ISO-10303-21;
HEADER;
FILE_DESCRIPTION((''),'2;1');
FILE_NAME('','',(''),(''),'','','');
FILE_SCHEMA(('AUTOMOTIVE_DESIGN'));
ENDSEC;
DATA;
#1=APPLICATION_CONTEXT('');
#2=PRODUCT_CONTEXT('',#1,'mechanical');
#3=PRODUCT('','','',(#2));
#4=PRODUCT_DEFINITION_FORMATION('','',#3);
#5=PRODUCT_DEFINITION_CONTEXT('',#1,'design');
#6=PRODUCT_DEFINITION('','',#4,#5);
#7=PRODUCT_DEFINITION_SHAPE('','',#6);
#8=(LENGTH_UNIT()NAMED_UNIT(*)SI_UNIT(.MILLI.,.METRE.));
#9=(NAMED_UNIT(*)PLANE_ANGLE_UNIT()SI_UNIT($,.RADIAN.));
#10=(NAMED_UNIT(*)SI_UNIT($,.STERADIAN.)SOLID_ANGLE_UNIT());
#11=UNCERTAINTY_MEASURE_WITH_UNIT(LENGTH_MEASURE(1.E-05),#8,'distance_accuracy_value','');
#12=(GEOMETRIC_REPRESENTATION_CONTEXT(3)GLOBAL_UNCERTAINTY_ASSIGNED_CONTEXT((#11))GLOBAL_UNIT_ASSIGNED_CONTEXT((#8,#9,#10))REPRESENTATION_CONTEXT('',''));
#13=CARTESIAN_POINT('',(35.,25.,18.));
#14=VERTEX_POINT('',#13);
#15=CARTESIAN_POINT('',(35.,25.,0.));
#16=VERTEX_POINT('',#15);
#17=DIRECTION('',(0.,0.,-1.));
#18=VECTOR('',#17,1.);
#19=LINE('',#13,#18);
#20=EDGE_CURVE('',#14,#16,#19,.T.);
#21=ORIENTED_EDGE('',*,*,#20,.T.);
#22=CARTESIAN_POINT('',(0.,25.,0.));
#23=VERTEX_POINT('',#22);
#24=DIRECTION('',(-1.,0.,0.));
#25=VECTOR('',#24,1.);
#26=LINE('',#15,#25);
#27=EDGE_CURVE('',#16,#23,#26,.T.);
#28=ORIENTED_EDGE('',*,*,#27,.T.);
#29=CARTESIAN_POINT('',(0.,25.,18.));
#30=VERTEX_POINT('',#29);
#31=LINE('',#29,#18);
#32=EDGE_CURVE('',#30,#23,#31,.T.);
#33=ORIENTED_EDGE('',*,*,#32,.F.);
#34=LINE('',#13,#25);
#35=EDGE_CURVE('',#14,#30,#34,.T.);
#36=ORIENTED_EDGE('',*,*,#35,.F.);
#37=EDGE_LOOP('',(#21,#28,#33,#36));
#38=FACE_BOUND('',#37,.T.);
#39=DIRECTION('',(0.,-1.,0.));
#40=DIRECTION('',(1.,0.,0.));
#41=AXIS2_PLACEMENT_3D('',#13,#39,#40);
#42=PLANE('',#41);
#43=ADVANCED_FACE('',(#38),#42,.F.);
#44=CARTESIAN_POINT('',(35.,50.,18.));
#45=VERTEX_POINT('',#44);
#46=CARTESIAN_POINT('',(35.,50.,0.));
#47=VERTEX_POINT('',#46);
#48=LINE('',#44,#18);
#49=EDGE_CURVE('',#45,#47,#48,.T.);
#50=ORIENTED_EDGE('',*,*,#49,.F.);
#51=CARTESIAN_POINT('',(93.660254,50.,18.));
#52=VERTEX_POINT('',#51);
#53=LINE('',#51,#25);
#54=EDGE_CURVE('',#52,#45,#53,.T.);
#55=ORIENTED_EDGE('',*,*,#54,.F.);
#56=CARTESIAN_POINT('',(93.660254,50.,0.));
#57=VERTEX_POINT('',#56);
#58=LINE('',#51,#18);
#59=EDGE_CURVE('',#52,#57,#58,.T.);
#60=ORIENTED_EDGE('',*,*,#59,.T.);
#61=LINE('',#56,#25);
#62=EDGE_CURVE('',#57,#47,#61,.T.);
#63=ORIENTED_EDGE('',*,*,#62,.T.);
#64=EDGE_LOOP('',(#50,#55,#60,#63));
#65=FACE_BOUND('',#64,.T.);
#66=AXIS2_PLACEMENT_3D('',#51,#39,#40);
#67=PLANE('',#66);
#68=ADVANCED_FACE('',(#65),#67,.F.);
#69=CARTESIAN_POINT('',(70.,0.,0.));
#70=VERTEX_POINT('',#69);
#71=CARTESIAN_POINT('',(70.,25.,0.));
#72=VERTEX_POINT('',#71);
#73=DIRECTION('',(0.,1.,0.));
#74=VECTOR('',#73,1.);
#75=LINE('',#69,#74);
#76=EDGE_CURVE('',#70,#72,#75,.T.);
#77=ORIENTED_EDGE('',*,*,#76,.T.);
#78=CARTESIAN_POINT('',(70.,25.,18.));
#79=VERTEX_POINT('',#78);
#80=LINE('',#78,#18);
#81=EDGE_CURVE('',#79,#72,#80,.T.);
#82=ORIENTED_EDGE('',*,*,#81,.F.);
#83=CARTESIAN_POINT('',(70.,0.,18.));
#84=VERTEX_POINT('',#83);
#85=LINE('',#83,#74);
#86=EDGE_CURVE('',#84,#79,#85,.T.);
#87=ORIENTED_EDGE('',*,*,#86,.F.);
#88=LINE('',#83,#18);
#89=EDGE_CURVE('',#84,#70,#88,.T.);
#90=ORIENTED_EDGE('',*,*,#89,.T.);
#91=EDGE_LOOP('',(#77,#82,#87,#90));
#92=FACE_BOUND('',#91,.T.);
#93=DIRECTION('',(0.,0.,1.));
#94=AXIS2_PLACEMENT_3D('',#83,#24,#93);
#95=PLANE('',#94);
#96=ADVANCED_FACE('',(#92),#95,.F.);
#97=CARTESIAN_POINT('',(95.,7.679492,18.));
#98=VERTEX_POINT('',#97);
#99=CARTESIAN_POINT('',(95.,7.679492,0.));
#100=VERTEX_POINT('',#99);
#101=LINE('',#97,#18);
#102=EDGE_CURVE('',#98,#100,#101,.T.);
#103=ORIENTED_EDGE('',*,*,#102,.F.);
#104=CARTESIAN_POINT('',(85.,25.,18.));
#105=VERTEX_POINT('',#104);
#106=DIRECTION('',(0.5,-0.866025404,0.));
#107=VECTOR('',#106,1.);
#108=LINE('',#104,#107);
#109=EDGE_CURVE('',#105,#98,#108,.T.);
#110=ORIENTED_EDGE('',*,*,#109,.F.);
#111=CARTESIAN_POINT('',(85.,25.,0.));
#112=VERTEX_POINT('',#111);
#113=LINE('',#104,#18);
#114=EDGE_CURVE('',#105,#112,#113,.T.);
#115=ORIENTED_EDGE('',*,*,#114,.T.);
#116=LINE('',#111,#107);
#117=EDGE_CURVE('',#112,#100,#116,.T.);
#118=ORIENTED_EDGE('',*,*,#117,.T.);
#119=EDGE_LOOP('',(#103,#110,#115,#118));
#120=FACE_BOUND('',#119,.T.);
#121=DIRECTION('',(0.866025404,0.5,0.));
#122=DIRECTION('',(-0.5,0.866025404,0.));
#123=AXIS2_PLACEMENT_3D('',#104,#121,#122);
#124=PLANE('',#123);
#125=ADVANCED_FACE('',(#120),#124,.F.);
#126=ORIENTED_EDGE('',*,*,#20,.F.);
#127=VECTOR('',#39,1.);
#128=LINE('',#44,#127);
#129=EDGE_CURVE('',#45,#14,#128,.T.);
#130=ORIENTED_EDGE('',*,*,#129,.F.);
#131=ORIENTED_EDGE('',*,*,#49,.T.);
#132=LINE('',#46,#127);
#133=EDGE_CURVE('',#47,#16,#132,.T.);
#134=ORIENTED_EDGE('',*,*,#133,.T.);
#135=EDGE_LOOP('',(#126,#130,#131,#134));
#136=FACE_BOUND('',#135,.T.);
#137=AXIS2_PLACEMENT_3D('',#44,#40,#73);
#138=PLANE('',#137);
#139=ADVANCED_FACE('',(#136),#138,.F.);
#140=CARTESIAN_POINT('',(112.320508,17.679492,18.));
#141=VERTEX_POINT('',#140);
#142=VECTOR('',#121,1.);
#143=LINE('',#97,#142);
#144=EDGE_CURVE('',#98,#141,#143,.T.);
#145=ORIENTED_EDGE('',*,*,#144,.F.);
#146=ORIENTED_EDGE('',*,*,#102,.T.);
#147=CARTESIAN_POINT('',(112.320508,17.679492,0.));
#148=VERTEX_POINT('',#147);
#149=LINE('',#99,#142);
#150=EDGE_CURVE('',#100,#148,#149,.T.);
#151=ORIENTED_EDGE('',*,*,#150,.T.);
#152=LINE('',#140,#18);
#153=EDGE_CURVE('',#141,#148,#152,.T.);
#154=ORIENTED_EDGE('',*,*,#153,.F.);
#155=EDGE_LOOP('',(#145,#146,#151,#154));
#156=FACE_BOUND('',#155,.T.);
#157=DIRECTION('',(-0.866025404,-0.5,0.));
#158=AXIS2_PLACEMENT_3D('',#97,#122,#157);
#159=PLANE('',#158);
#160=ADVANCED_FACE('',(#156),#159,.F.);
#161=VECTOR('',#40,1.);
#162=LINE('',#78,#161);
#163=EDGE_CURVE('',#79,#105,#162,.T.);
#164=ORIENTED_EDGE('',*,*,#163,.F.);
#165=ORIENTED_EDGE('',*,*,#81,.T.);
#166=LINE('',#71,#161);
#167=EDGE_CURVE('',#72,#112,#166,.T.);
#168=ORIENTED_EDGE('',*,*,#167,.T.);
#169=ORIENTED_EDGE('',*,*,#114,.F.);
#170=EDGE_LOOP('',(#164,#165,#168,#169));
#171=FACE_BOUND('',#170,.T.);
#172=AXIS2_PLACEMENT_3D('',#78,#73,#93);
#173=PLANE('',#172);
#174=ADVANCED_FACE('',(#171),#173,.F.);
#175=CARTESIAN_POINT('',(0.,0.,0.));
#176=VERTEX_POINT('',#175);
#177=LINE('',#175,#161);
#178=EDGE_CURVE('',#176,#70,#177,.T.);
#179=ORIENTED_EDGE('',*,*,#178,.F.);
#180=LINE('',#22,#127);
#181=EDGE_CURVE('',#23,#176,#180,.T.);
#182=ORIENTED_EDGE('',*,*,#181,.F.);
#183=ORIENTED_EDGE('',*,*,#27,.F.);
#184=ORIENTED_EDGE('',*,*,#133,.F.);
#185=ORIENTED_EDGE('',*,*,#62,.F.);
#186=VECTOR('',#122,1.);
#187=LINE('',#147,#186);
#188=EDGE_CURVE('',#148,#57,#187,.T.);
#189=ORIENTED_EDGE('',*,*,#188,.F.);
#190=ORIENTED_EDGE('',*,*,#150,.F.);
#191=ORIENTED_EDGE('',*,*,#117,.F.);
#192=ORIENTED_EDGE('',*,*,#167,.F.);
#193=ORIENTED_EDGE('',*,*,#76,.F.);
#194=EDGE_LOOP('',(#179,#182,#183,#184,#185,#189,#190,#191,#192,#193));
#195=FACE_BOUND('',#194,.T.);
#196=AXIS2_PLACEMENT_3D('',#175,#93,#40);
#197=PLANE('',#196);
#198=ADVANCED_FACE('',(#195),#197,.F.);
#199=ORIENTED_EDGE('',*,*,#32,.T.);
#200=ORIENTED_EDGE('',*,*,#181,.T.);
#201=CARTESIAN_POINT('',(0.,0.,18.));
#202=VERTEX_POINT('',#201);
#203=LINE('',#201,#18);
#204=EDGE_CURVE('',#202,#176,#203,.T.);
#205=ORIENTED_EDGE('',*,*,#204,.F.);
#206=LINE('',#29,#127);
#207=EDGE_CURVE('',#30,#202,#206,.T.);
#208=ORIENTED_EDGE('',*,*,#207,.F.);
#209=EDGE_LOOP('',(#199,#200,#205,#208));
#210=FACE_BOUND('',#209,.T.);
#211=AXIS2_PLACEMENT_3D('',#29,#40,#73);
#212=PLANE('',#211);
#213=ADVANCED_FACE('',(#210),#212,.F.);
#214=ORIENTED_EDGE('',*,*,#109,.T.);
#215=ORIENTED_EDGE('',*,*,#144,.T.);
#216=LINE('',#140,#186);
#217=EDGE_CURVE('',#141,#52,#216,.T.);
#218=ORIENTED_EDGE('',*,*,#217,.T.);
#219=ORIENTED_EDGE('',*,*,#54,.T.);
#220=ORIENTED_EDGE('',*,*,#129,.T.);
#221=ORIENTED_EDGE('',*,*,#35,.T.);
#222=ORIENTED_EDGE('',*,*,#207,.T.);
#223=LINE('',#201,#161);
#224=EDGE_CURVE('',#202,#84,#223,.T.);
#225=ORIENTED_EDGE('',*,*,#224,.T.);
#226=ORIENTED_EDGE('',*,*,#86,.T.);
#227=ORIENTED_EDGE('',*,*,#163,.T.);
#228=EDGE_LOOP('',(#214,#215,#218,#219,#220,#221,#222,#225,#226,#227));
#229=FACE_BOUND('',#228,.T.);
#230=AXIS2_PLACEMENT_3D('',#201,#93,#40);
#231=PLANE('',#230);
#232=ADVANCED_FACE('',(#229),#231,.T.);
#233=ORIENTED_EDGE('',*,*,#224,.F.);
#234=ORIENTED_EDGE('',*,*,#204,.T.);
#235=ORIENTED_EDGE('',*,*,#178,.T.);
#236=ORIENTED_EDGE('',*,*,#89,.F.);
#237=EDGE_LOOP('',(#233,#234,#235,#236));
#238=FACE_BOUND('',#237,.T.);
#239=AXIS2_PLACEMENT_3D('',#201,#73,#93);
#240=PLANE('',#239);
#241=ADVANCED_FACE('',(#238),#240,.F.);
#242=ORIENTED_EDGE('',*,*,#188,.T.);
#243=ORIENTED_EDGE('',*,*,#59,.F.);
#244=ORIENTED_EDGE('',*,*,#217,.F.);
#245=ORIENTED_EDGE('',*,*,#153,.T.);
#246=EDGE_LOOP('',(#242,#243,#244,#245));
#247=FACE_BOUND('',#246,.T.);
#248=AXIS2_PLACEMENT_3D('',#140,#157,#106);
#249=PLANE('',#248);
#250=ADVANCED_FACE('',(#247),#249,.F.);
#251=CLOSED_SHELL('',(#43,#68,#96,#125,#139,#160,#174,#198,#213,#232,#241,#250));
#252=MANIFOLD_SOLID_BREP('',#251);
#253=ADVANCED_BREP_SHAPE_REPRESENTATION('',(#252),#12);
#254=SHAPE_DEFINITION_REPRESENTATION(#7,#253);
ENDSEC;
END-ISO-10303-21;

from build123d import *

# Parameters (mm, degrees)
RESSALTO_EXTRUS_O1_DEPTH = 18


with BuildPart() as part:
    # Esboço1 → Ressalto-extrusão1 (new body)
    with BuildSketch(Plane.XY):
        Polygon((70, 0), (70, 25), (85, 25), (95, 7.679491924), (112.320508076, 17.679491924), (93.660254038, 50), (35, 50), (35, 25), (0, 25), (0, 0), align=None)
    extrude(amount=RESSALTO_EXTRUS_O1_DEPTH)


solid = part.part
